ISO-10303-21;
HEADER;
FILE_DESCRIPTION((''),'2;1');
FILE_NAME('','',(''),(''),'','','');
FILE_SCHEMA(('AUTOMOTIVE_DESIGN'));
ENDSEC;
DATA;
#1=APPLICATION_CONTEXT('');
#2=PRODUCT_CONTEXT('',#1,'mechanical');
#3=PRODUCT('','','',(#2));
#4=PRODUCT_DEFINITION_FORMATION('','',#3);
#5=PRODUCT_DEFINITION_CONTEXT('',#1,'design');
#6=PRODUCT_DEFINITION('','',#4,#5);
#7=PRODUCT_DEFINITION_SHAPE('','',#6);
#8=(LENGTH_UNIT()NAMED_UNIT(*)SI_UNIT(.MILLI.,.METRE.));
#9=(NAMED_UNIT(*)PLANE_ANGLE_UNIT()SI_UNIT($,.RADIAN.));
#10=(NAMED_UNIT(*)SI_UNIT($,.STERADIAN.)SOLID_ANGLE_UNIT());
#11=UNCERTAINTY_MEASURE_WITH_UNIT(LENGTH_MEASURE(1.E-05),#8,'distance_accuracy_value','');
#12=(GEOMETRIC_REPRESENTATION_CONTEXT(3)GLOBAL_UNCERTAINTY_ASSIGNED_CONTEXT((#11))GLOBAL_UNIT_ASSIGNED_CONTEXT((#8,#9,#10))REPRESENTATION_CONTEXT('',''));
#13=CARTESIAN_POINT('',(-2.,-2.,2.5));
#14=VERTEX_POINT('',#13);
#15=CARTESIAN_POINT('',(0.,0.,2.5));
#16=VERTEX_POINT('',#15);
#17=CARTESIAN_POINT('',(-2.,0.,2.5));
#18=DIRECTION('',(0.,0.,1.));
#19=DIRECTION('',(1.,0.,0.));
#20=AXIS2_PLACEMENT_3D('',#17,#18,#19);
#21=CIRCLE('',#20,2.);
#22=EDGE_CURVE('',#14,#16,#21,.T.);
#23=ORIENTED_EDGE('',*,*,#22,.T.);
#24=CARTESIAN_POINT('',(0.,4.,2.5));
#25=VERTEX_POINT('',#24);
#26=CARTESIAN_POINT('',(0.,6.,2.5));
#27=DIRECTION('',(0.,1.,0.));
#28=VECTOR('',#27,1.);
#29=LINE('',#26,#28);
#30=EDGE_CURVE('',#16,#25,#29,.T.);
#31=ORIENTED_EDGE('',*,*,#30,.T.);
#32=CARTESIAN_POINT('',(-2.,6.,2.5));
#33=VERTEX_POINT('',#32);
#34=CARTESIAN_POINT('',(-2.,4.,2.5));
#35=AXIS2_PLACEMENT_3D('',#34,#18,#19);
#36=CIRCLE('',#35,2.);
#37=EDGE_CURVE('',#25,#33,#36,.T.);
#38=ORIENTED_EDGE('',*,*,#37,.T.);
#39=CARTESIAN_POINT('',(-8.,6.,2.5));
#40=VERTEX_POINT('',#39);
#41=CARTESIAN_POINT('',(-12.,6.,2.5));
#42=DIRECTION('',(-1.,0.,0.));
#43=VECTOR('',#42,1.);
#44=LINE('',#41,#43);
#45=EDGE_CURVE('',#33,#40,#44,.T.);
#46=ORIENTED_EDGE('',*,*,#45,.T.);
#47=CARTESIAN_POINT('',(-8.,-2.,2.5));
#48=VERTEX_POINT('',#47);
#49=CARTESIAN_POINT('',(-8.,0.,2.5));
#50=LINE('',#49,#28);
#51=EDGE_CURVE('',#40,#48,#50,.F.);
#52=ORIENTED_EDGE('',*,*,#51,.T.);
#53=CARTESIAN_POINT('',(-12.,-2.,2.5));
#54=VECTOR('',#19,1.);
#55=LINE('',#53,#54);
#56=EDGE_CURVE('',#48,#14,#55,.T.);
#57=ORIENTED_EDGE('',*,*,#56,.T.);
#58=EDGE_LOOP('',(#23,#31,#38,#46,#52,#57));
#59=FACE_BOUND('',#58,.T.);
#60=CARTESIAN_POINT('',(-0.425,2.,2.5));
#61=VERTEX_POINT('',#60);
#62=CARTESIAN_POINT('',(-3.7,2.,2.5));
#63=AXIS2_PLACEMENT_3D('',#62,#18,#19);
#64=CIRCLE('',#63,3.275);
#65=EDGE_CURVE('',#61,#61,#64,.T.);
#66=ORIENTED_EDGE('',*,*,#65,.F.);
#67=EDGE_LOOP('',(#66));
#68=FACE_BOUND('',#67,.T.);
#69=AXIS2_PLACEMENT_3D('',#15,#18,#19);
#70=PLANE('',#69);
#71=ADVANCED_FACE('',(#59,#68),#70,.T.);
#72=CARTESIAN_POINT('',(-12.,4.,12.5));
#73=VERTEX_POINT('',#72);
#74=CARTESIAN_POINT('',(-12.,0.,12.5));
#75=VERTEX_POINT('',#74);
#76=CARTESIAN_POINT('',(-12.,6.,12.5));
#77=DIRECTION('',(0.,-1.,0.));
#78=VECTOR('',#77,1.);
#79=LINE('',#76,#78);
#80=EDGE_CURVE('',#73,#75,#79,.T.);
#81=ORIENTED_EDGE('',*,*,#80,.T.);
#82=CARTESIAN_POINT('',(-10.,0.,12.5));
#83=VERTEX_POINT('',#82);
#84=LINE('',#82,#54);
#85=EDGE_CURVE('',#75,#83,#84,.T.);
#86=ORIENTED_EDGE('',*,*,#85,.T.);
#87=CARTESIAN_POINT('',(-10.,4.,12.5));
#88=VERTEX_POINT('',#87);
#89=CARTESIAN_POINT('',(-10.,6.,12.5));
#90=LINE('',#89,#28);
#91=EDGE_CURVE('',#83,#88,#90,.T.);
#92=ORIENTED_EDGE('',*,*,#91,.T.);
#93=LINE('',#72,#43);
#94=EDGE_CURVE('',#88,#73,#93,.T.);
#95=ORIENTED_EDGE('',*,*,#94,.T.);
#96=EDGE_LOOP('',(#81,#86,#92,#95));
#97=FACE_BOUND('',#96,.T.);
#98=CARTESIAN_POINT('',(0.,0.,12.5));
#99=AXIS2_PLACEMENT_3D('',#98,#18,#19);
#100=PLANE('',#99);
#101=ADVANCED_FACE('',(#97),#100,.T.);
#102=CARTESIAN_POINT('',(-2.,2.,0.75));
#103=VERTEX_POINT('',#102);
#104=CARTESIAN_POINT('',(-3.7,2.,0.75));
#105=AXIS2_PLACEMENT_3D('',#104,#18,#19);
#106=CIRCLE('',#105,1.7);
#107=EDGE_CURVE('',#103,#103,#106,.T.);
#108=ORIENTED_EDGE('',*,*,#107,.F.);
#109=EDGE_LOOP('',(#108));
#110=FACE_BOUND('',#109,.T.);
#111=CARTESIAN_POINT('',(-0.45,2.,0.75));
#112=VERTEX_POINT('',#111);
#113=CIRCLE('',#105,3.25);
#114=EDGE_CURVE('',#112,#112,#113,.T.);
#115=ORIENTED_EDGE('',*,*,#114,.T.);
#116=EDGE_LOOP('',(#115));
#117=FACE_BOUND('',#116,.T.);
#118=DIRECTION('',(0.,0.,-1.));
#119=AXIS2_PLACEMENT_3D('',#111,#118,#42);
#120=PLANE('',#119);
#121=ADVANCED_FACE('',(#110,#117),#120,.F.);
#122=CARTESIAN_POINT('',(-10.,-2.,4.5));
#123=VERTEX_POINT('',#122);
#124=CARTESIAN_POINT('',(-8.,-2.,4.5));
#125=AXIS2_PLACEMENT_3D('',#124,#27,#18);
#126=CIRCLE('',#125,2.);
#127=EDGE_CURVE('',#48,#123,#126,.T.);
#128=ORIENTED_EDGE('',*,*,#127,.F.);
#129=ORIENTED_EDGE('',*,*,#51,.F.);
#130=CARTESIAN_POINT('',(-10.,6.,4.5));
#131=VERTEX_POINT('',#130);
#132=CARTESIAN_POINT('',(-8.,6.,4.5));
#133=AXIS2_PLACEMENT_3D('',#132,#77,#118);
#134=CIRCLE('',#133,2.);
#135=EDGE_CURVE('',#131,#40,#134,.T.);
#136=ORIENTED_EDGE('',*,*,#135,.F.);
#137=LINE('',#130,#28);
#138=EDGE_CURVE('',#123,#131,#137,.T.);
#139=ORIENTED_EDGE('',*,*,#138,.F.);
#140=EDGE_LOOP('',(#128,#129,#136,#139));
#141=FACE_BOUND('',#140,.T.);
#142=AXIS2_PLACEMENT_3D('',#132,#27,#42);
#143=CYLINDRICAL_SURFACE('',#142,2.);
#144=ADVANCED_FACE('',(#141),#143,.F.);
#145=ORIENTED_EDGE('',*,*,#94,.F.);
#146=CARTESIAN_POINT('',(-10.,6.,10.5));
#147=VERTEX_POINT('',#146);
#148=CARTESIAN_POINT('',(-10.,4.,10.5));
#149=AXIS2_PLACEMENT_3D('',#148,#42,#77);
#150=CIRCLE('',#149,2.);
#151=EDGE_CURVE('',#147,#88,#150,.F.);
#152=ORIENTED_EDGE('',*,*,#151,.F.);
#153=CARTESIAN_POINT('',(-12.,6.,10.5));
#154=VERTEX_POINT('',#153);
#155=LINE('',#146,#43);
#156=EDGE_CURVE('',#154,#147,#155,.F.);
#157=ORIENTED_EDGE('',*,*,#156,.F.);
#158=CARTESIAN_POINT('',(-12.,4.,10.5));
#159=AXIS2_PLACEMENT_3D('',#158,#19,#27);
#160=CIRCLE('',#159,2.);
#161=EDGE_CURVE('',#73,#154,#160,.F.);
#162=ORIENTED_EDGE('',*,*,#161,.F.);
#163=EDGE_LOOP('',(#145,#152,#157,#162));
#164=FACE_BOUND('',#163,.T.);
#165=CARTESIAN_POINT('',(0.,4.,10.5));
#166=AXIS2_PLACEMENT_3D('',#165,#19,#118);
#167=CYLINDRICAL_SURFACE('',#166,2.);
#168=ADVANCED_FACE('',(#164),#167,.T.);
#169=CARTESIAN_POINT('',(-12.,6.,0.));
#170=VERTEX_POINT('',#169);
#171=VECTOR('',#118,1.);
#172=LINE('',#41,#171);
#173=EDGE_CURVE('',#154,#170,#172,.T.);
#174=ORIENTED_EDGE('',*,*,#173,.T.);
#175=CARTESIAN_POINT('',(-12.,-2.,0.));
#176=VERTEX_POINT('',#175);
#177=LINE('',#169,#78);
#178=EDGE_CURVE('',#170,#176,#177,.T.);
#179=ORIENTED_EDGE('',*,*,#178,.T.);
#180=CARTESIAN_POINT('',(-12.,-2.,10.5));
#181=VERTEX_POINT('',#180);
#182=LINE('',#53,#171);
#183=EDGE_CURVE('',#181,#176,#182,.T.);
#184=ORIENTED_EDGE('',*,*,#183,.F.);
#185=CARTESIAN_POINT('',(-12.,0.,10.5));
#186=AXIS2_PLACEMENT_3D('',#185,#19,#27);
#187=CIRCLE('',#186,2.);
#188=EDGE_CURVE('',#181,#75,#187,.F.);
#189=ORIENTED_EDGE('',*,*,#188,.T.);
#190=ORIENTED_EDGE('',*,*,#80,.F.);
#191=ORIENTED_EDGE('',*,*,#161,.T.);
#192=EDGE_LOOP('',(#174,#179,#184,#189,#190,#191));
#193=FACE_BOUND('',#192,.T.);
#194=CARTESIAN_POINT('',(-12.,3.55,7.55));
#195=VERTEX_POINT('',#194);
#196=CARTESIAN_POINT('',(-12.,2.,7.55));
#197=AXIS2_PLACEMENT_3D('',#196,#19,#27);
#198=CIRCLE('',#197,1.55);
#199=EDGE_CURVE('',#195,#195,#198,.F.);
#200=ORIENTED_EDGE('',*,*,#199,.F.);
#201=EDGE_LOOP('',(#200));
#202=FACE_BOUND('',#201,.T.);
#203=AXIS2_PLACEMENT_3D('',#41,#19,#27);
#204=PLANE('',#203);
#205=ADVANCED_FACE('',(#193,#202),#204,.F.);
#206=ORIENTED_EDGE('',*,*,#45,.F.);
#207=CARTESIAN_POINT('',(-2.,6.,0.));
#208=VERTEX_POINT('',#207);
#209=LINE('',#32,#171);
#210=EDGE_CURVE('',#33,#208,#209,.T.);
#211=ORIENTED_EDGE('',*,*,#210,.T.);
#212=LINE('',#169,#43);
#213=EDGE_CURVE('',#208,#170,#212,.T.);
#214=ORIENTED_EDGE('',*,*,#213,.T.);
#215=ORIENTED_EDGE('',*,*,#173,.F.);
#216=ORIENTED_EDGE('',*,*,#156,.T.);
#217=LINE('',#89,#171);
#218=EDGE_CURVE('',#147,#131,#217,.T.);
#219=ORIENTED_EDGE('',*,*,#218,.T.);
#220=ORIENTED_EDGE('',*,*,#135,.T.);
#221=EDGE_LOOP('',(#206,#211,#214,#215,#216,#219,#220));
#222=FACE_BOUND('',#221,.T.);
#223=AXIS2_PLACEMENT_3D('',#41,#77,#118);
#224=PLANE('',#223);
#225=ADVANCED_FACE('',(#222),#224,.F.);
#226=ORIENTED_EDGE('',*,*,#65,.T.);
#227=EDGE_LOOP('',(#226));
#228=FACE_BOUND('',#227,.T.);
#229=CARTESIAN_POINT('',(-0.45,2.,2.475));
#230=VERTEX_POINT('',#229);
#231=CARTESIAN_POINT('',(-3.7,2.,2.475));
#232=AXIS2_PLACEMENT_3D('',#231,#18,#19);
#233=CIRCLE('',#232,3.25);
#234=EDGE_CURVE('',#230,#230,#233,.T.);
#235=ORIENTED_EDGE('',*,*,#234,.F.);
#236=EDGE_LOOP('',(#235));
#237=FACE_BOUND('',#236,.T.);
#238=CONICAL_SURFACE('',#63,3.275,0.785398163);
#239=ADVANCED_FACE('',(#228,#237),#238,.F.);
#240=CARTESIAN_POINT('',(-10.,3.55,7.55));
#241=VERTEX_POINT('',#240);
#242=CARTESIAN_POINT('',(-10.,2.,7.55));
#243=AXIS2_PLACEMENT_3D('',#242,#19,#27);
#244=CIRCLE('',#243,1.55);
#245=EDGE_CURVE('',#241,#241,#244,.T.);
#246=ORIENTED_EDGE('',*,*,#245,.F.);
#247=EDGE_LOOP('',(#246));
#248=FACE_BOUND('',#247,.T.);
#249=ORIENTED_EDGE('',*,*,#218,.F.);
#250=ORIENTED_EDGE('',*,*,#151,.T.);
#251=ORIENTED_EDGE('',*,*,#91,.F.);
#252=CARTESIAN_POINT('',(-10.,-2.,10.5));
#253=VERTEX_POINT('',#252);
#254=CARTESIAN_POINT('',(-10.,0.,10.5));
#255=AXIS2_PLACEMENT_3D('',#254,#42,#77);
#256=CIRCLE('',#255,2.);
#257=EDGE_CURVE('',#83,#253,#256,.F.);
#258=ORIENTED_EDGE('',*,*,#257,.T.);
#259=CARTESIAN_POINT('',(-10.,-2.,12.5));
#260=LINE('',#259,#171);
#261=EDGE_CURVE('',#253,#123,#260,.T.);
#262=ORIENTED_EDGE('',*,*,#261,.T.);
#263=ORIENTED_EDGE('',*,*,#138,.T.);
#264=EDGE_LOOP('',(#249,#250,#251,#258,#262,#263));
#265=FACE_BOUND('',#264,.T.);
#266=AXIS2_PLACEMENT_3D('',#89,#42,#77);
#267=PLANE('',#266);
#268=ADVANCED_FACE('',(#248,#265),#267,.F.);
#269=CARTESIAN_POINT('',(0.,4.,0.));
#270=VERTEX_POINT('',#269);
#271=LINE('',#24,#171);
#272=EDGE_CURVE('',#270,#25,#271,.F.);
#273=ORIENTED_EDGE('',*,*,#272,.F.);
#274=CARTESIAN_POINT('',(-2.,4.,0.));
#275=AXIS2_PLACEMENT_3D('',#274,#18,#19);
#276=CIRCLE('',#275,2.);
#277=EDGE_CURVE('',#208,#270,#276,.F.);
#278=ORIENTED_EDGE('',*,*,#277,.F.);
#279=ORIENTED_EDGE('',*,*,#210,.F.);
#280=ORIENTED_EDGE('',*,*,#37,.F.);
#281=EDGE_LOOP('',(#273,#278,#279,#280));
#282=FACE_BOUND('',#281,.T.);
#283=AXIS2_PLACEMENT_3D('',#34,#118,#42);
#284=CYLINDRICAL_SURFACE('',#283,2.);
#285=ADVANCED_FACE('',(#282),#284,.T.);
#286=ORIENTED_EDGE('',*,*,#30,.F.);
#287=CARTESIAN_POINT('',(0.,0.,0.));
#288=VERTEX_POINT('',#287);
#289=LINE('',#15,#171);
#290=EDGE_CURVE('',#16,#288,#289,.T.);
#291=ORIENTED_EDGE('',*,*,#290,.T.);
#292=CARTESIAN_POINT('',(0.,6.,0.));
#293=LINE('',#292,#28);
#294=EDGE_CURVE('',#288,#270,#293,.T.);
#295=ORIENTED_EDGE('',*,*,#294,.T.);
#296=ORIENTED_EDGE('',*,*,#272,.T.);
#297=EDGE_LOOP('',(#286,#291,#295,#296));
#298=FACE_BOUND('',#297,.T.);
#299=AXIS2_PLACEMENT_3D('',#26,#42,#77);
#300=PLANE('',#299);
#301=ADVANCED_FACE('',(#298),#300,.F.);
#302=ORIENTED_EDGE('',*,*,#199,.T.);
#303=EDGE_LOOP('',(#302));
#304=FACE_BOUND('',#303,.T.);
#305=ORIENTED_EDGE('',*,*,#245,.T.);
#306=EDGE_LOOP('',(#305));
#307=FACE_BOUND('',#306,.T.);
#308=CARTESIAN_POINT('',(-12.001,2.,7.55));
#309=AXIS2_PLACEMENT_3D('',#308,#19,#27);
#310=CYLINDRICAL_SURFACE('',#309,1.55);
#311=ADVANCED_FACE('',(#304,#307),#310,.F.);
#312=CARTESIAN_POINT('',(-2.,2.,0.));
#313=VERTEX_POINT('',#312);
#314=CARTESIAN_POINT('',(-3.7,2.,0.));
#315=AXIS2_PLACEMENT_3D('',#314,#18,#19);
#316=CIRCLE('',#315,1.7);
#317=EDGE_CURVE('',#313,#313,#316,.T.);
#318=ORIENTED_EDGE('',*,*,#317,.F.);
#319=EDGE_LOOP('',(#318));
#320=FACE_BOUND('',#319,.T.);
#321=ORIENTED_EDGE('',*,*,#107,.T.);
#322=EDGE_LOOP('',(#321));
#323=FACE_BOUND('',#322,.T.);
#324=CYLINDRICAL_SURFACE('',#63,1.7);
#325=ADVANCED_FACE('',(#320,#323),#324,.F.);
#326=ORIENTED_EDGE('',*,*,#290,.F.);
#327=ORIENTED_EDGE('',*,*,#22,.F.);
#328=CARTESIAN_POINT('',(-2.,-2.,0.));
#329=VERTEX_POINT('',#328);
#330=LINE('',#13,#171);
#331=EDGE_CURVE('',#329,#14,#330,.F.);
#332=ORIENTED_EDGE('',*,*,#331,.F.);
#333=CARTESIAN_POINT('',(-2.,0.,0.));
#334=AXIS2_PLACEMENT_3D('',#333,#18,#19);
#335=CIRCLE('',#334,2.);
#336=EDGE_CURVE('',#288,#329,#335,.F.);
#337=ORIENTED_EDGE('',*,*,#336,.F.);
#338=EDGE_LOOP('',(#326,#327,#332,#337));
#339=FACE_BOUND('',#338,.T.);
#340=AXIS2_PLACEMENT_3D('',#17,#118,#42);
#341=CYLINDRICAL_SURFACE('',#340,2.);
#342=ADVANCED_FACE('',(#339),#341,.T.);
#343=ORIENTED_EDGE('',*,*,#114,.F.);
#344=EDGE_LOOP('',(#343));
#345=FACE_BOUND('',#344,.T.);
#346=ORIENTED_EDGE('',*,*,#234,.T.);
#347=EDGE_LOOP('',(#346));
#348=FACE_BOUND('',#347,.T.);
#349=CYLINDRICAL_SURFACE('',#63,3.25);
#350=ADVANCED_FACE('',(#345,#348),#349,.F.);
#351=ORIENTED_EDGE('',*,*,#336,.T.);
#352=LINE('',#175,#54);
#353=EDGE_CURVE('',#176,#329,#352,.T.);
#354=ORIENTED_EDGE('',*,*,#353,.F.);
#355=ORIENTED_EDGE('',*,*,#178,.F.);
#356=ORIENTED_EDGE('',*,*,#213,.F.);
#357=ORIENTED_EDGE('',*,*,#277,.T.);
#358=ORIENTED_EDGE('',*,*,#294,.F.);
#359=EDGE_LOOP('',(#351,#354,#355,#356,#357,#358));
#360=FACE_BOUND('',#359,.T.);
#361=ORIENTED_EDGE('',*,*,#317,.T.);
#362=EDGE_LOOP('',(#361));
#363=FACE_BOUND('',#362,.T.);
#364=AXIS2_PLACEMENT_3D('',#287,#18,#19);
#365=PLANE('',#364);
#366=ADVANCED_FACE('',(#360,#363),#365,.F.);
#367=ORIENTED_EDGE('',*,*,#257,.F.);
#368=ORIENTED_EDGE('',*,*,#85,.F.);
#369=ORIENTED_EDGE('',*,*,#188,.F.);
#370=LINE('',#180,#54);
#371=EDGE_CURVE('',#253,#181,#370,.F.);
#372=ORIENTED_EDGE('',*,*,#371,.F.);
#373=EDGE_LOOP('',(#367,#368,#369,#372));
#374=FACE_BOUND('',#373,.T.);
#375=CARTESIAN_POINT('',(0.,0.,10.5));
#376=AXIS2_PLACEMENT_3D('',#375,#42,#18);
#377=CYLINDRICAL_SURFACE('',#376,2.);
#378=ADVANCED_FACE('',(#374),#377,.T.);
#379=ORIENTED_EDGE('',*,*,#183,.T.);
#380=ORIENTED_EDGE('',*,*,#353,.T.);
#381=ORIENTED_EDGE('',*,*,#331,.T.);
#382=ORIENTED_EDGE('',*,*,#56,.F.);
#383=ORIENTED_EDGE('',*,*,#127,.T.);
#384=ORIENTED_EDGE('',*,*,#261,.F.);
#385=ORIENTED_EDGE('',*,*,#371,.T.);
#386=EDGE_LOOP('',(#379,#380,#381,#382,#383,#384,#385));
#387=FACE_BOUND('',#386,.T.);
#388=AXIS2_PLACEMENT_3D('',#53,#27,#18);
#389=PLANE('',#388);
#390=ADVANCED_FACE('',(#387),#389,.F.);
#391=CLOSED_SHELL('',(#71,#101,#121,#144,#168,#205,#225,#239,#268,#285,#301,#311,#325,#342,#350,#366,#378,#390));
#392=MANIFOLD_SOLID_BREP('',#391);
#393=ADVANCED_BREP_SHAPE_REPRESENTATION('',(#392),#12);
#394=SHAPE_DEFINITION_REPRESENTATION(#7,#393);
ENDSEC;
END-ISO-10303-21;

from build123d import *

# Parameters (mm, degrees)
ESBO_O1_W                = 12
ESBO_O1_H                = 8
RESSALTO_EXTRUS_O1_DEPTH = 2.5
ESBO_O3_W                = 2
ESBO_O3_H                = 8
RESSALTO_EXTRUS_O2_DEPTH = 10
FILETE1_R                = 2
FILETE2_R                = 2
CORTE_EXTRUS_O2_REACH    = 19.095
ESBO_O6_R                = 1.55


with BuildPart() as part:
    # Esboço1 → Ressalto-extrusão1 (new body)
    with BuildSketch(Plane.XY):
        with Locations((-6, 2)):
            Rectangle(ESBO_O1_W, ESBO_O1_H)
    extrude(amount=RESSALTO_EXTRUS_O1_DEPTH)

    # Esboço3 → Ressalto-extrusão2 (add)
    with BuildSketch(Plane.XY.offset(2.5)):
        with Locations((-11, 2)):
            Rectangle(ESBO_O3_W, ESBO_O3_H)
    extrude(amount=RESSALTO_EXTRUS_O2_DEPTH)

    # Esboço10 → Rebaixo para parafuso com cabeça redonda de M33 (revolve, cut)
    with BuildSketch(Plane(origin=(-3.7, 2, 2.5), x_dir=(0, -1, 0), z_dir=(1, 0, 0))):
        Polygon((0, 0), (0, 2.5), (1.7, 2.5), (1.7, 1.75), (3.25, 1.75), (3.25, 0.025), (3.275, 0), align=None)
    revolve(axis=Axis((-3.7, 2, 8.85), (0, 0, -1)), mode=Mode.SUBTRACT)

    # Filete1
    filete1_edges = [part.edges().sort_by_distance(p)[0] for p in [
        (-10, 2, 2.5),
    ]]
    fillet(filete1_edges, radius=FILETE1_R)

    # Filete2
    filete2_edges = [part.edges().sort_by_distance(p)[0] for p in [
        (-11, -2, 12.5),
        (-11, 6, 12.5),
        (0, 6, 1.25),
        (0, -2, 1.25),
    ]]
    fillet(filete2_edges, radius=FILETE2_R)

    # Esboço6 → Corte-extrusão2 (cut, up to next)
    with BuildSketch(Plane(origin=(-10, 0, 0), x_dir=(0, 0, -1), z_dir=(1, 0, 0)), mode=Mode.PRIVATE) as corte_extrus_o2_sk1:
        with Locations(Location((-7.55, 2, 0), (0, 0, 90))):
            Circle(ESBO_O6_R)
    corte_extrus_o2_tool1 = extrude(corte_extrus_o2_sk1.sketch, amount=-CORTE_EXTRUS_O2_REACH, mode=Mode.PRIVATE) & part.part
    add(corte_extrus_o2_tool1.solids().sort_by_distance((-10, 2, 7.55))[0], mode=Mode.SUBTRACT)


solid = part.part
